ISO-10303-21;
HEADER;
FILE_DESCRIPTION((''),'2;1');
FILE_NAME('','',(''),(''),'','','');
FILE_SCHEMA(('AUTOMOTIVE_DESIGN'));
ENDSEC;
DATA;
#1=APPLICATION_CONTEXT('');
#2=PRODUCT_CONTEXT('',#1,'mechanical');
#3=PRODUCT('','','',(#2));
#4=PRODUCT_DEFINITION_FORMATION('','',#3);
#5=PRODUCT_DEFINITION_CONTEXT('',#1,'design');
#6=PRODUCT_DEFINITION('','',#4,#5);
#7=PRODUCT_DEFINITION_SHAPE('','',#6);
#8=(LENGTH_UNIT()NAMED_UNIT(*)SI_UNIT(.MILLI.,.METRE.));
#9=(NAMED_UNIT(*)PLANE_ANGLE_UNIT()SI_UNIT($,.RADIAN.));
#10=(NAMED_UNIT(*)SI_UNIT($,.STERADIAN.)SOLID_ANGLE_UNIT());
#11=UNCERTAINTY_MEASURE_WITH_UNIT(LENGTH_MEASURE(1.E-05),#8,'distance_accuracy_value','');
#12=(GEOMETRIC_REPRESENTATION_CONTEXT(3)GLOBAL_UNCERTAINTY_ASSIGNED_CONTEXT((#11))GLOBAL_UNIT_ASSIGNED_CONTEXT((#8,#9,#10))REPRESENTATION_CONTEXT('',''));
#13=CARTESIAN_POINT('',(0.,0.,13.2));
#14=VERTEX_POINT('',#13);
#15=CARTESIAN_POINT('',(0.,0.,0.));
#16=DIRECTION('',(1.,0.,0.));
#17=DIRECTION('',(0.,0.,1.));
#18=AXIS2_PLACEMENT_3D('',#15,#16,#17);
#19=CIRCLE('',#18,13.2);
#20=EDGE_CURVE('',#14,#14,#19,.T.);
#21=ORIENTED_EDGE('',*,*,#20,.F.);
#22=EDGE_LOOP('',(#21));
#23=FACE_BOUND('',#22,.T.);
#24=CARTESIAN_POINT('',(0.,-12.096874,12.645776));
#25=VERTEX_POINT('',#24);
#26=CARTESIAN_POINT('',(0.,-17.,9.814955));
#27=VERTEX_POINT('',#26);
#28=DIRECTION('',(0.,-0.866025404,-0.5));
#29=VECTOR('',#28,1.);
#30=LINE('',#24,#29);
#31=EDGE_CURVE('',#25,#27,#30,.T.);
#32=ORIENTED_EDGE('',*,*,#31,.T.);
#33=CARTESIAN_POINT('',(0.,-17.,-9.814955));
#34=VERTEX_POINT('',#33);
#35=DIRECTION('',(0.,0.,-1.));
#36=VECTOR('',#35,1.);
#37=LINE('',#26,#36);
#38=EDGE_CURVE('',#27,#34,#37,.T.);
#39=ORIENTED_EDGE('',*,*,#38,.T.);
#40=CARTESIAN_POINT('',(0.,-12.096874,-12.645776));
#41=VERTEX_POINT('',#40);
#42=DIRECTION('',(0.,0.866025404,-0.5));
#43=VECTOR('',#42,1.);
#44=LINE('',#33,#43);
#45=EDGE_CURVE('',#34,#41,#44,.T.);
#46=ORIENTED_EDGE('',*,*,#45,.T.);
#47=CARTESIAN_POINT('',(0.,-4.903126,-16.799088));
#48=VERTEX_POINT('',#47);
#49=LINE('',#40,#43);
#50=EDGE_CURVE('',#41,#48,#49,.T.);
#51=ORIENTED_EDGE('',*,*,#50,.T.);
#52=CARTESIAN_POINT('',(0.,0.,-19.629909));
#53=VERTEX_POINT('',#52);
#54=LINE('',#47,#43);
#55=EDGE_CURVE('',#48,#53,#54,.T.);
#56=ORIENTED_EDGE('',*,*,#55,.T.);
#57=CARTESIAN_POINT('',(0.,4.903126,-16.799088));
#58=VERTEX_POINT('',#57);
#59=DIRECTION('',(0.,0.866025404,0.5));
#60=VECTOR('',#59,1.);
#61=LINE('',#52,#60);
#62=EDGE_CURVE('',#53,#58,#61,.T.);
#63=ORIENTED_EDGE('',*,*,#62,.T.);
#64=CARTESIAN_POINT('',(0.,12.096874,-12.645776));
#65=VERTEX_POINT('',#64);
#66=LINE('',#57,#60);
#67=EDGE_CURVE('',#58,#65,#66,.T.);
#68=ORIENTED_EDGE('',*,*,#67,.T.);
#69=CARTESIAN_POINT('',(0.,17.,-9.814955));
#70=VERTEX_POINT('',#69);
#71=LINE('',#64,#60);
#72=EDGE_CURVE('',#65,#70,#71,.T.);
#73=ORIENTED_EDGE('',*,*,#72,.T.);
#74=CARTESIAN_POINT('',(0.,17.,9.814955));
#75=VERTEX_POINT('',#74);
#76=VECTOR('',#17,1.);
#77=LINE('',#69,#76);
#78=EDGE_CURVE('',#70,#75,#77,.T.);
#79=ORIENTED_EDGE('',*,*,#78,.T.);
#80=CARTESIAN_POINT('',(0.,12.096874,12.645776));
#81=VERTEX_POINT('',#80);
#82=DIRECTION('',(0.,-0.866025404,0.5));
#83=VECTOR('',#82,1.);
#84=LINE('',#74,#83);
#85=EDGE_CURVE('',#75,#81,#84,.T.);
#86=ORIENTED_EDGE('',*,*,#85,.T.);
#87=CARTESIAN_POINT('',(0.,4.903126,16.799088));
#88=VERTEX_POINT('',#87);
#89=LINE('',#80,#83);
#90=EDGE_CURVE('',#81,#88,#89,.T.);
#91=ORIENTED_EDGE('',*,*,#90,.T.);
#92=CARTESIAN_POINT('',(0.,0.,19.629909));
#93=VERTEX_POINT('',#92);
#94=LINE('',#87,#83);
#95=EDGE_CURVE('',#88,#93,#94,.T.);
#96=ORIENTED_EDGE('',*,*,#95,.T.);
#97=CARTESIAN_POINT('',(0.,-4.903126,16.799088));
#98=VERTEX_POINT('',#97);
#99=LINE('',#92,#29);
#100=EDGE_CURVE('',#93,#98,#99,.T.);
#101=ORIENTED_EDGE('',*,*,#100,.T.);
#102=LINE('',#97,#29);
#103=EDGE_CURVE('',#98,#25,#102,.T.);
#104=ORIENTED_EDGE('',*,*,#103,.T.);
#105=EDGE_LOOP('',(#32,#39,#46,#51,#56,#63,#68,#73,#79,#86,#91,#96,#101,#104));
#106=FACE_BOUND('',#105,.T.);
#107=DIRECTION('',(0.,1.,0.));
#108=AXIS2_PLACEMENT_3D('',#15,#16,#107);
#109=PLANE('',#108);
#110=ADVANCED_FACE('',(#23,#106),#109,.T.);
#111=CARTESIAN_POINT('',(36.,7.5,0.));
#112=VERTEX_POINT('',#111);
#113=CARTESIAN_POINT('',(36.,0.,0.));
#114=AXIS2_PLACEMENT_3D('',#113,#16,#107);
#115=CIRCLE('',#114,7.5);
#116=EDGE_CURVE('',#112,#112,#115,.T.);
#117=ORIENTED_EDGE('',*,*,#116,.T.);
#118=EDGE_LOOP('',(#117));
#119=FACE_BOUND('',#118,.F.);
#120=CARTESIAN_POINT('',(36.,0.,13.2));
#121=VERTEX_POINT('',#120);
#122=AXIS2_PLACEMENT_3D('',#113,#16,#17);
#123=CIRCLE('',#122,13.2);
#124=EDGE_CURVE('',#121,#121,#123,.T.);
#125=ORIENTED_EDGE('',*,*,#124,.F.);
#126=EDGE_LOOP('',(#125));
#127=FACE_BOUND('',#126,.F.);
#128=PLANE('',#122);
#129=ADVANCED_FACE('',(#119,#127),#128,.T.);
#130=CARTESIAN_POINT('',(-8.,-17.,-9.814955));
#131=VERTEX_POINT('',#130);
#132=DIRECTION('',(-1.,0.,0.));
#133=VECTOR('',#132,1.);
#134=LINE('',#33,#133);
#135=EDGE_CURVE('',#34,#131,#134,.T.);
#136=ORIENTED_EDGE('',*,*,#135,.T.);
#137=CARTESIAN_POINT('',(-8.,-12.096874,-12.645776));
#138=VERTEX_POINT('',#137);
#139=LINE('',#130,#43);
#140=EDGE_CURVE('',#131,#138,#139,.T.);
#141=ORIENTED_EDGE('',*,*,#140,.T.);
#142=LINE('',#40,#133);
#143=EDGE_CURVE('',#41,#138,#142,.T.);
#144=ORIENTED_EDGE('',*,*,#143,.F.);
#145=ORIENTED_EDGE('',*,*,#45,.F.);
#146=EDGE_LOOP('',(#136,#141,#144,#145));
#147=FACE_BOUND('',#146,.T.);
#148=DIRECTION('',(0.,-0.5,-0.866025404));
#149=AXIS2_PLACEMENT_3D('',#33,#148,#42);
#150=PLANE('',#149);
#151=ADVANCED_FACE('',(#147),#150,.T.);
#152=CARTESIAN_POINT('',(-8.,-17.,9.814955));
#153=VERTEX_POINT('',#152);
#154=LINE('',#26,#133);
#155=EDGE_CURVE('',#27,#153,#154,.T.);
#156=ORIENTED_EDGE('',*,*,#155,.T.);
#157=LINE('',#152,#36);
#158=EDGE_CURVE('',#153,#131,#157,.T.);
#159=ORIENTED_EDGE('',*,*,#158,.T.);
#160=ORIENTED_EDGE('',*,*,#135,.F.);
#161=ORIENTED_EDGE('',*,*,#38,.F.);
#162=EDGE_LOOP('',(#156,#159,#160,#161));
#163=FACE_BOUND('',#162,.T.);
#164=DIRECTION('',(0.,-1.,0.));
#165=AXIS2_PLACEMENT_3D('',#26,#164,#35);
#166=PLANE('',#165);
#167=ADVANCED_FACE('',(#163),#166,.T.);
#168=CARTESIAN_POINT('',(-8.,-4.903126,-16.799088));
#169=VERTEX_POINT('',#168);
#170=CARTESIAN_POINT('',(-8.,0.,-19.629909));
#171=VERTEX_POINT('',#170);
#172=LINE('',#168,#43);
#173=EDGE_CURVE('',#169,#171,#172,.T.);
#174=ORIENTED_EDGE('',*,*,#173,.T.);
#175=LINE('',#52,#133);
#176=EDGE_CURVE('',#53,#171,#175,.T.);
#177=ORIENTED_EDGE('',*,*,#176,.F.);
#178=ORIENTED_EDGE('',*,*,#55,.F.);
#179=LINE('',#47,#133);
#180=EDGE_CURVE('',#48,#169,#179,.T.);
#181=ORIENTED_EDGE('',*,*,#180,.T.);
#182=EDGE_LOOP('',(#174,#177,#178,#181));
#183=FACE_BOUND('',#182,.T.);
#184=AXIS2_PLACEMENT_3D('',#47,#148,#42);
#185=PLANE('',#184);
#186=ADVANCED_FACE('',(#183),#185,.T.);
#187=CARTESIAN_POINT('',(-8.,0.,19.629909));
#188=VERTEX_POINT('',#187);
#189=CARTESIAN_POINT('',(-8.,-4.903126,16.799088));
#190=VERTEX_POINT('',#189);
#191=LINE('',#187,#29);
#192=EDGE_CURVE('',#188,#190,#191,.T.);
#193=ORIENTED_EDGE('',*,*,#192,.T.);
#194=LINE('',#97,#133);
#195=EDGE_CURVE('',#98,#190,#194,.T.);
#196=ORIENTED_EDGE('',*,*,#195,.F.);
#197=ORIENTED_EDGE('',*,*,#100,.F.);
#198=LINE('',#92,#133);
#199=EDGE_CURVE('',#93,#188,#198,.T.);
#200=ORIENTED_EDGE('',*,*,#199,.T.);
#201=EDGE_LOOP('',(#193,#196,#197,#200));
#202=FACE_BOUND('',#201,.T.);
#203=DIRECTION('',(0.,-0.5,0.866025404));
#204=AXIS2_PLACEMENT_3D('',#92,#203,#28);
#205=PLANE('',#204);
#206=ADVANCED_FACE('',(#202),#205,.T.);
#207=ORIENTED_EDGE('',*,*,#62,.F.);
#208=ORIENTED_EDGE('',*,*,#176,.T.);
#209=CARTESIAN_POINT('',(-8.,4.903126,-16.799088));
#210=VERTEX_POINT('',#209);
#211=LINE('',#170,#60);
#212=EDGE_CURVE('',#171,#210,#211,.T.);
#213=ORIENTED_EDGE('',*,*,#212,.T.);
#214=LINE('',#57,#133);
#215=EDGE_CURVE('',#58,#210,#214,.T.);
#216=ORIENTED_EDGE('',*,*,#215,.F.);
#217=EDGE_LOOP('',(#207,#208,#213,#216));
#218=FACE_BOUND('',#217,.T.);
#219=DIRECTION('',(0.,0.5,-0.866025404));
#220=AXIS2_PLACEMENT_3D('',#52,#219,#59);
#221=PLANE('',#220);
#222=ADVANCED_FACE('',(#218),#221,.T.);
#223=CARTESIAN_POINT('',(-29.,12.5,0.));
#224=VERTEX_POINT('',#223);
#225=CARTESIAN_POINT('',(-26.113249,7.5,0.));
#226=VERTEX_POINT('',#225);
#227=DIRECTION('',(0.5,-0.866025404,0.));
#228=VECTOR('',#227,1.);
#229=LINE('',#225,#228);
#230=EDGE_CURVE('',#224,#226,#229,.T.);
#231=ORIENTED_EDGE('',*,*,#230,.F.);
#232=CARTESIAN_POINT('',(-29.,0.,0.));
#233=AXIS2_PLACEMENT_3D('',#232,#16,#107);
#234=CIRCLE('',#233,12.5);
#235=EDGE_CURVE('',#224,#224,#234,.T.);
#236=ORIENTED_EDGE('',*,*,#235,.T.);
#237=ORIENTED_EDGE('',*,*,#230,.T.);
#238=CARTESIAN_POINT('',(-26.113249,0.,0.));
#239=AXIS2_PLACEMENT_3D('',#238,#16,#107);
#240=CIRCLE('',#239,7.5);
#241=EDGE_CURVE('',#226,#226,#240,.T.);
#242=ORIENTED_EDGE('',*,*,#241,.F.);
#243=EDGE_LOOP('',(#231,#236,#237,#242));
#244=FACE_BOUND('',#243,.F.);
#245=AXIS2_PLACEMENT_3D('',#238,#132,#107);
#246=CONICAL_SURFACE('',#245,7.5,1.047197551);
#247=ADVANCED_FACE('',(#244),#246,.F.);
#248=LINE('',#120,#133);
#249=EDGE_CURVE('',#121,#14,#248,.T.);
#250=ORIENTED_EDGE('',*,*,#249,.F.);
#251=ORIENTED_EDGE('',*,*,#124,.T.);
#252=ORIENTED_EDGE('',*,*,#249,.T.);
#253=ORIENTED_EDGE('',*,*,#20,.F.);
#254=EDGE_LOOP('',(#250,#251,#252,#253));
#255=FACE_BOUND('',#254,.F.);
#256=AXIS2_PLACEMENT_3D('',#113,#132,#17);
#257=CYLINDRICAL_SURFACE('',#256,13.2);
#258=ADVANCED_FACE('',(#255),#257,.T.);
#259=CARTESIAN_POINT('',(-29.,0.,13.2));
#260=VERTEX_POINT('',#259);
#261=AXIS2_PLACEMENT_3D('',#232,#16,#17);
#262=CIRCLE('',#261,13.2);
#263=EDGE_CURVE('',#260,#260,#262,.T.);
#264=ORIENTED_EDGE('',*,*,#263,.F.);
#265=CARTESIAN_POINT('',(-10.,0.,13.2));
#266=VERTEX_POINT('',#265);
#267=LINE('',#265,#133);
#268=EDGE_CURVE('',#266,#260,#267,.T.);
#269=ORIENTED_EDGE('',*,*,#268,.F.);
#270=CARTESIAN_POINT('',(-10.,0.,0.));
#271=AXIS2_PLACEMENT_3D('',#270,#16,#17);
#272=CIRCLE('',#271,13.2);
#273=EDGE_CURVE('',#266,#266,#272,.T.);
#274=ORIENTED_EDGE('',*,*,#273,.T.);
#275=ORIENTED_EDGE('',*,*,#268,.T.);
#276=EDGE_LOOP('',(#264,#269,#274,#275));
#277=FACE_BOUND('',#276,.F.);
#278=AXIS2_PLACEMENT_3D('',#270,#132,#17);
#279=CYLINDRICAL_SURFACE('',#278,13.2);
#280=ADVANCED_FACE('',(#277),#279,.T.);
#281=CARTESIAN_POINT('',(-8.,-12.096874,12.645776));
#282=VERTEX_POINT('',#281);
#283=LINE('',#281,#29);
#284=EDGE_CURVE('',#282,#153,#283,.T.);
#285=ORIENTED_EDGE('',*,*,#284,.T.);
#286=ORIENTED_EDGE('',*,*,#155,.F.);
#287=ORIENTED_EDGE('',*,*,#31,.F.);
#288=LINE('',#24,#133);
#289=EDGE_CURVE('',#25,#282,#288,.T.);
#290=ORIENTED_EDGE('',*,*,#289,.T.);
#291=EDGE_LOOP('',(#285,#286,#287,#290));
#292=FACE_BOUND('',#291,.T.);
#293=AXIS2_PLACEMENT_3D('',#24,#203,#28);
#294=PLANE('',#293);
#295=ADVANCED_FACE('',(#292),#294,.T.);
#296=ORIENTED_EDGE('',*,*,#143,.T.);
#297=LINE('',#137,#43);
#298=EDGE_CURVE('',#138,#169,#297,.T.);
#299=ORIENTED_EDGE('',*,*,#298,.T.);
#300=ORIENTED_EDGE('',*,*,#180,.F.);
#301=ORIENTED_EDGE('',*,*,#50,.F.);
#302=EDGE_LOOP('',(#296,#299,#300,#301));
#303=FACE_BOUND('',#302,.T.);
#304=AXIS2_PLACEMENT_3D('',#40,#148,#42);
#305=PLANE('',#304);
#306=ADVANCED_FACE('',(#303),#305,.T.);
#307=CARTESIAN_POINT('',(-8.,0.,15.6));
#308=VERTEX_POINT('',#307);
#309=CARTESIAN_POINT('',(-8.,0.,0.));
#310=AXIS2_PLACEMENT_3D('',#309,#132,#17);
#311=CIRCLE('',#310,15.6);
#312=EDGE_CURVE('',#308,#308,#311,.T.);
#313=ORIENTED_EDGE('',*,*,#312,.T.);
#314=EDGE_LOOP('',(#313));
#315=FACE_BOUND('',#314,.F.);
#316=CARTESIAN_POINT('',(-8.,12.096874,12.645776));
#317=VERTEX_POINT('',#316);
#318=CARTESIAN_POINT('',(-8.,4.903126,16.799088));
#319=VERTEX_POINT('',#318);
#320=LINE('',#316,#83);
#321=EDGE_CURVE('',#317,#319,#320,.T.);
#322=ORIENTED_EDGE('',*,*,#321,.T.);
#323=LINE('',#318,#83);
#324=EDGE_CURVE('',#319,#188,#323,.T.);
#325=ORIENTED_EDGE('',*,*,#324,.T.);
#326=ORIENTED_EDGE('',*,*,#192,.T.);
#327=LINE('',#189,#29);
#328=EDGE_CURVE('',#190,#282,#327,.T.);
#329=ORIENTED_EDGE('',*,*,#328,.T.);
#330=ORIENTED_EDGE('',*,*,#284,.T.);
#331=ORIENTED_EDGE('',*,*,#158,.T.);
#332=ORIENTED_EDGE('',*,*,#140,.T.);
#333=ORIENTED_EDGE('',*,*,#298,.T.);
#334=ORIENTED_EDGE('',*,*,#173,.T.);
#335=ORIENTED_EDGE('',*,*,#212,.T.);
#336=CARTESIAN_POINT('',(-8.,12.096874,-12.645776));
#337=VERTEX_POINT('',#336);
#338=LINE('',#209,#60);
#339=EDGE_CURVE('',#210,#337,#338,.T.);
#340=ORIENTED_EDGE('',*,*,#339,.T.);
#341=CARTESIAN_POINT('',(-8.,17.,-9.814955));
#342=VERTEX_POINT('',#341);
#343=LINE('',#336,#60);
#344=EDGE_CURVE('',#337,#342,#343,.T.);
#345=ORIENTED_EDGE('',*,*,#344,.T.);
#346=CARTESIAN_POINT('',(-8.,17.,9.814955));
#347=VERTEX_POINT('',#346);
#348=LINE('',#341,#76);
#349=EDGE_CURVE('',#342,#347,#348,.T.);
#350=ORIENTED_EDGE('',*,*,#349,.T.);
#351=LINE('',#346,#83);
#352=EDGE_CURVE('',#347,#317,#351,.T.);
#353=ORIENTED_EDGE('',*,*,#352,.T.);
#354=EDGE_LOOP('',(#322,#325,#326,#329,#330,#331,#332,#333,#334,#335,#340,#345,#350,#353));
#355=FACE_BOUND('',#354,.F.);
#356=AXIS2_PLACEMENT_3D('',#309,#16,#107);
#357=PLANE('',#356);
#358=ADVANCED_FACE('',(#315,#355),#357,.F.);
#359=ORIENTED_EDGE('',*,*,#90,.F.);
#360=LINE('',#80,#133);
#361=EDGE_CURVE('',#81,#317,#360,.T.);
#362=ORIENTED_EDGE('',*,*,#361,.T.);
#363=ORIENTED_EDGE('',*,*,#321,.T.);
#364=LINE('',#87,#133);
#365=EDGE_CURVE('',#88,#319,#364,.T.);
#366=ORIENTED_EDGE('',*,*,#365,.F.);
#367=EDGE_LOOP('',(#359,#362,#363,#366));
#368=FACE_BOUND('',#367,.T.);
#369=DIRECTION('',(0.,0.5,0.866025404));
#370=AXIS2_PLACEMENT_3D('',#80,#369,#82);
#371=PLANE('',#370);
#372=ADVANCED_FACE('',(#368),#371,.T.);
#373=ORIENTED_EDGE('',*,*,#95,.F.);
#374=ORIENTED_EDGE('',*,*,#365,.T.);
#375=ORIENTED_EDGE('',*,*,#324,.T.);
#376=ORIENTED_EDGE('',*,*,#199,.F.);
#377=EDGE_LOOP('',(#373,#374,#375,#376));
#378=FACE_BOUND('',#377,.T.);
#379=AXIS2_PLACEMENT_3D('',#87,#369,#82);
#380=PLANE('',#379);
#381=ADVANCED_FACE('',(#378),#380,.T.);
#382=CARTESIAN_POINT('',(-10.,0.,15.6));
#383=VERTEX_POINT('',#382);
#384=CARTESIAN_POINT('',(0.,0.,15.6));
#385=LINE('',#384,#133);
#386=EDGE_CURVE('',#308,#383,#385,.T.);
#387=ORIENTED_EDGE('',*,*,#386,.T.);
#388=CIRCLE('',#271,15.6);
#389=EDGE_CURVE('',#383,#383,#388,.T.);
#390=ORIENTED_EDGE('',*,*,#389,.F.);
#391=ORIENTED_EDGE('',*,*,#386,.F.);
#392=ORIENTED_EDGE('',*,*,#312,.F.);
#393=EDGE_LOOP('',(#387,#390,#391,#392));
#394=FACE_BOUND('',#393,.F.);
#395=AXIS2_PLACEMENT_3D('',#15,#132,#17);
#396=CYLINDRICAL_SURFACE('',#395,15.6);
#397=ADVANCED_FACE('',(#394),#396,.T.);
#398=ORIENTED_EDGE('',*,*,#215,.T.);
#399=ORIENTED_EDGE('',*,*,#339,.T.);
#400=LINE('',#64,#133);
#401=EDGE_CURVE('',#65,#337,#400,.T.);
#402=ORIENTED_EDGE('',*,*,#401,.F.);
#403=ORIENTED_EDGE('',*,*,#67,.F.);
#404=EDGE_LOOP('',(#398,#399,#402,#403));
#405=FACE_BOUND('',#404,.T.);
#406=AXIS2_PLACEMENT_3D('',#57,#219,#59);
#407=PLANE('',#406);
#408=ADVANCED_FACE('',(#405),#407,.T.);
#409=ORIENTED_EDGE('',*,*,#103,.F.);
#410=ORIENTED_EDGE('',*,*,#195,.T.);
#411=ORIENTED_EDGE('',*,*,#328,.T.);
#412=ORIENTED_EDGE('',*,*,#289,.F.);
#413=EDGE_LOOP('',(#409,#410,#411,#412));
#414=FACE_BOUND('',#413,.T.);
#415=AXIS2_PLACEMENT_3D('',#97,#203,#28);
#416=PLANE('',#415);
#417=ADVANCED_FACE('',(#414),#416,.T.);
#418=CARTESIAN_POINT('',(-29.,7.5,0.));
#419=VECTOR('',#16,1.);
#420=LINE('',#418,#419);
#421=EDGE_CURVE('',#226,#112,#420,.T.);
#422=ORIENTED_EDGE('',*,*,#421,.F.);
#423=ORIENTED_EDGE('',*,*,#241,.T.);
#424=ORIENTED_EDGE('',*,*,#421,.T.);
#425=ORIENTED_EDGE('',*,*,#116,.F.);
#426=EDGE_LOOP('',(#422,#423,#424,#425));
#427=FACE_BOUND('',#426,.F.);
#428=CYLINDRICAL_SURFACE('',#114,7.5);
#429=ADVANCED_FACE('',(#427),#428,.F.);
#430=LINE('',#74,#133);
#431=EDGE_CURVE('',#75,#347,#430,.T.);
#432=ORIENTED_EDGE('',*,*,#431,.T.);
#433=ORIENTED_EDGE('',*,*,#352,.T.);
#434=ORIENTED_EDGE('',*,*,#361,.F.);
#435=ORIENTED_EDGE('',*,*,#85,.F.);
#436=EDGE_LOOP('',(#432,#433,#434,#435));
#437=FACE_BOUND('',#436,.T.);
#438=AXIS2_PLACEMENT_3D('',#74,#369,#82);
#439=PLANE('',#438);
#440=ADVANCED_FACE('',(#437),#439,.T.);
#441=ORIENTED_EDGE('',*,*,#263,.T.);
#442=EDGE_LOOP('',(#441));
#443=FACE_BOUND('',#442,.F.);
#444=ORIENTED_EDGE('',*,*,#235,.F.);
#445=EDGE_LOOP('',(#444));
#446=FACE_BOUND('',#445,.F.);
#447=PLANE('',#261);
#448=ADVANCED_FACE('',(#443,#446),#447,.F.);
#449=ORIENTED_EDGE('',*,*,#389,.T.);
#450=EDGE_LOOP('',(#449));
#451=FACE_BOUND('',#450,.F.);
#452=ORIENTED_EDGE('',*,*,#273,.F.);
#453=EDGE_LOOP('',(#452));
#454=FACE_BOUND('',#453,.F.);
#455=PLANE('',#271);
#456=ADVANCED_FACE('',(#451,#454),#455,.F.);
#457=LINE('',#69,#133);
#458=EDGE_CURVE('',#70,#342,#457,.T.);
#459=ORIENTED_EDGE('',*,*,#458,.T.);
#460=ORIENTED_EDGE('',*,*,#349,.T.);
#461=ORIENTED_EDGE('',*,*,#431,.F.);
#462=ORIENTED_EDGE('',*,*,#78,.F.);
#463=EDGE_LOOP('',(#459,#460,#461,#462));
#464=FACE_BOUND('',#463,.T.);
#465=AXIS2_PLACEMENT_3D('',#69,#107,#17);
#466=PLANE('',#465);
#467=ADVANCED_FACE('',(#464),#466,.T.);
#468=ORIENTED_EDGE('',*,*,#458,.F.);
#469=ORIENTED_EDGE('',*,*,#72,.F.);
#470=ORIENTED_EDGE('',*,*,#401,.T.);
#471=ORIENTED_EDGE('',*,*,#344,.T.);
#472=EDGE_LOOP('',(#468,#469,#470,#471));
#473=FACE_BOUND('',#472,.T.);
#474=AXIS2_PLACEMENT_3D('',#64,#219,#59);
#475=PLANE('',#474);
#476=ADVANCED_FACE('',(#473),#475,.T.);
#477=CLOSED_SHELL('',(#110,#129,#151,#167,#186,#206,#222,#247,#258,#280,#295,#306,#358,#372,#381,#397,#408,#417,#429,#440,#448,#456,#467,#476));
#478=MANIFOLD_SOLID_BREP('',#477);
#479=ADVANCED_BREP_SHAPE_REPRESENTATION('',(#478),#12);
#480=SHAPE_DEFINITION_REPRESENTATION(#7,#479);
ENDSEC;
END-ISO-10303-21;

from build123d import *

# Parameters (mm, degrees)
F2_R     = 7.5
F3_DEPTH = 65.001
F4_R     = 7.5
F5_DEPTH = 8
F6_SIZE2 = 2.8867513459
F6_SIZE  = 5


with BuildPart() as f1:
    # F0 (on Front) → F1 (revolve)
    with BuildSketch(Plane.XZ):
        Polygon((-29, 13.2), (-29, 0), (36, 0), (36, 13.2), (0, 13.2), (0, 15.6), (-10, 15.6), (-10, 13.2), align=None)
    revolve(axis=Axis((5.8021252709, 0, 0), (1, 0, 0)))

    # F2 (on face) → F3 (cut, through all)
    with BuildSketch(Plane.YZ.offset(36)):
        Circle(F2_R)
    extrude(amount=-F3_DEPTH, mode=Mode.SUBTRACT)

    # F4 (on Right) → F5 (join)
    with BuildSketch(Plane.YZ):
        with BuildLine():
            Line((-17, 4.1533119315), (-17, -4.1533119315))
            ThreePointArc((-17, -4.1533119315), (-15.1554445662, -8.75), (-12.0968736425, -12.6457758986))
            Line((-12.0968736425, -12.6457758986), (-4.9031263575, -16.7990878301))
            ThreePointArc((-4.9031263575, -16.7990878301), (0, -17.5), (4.9031263575, -16.7990878301))
            Line((4.9031263575, -16.7990878301), (12.0968736425, -12.6457758986))
            ThreePointArc((12.0968736425, -12.6457758986), (15.1554445662, -8.75), (17, -4.1533119315))
            Line((17, -4.1533119315), (17, 4.1533119315))
            ThreePointArc((17, 4.1533119315), (15.1554445662, 8.75), (12.0968736425, 12.6457758986))
            Line((12.0968736425, 12.6457758986), (4.9031263575, 16.7990878301))
            ThreePointArc((4.9031263575, 16.7990878301), (0, 17.5), (-4.9031263575, 16.7990878301))
            Line((-4.9031263575, 16.7990878301), (-12.0968736425, 12.6457758986))
            ThreePointArc((-12.0968736425, 12.6457758986), (-15.1554445662, 8.75), (-17, 4.1533119315))
        make_face()
        Circle(F4_R, mode=Mode.SUBTRACT)
        with BuildLine():
            Line((-17, 9.8149545762), (-17, 4.1533119315))
            ThreePointArc((-17, 4.1533119315), (-15.1554445662, 8.75), (-12.0968736425, 12.6457758986))
            Line((-12.0968736425, 12.6457758986), (-17, 9.8149545762))
        make_face()
        with BuildLine():
            Line((-17, -4.1533119315), (-17, -9.8149545762))
            Line((-17, -9.8149545762), (-12.0968736425, -12.6457758986))
            ThreePointArc((-12.0968736425, -12.6457758986), (-15.1554445662, -8.75), (-17, -4.1533119315))
        make_face()
        with BuildLine():
            ThreePointArc((4.9031263575, -16.7990878301), (0, -17.5), (-4.9031263575, -16.7990878301))
            Line((-4.9031263575, -16.7990878301), (0, -19.6299091524))
            Line((0, -19.6299091524), (4.9031263575, -16.7990878301))
        make_face()
        with BuildLine():
            ThreePointArc((17, -4.1533119315), (15.1554445662, -8.75), (12.0968736425, -12.6457758986))
            Line((12.0968736425, -12.6457758986), (17, -9.8149545762))
            Line((17, -9.8149545762), (17, -4.1533119315))
        make_face()
        with BuildLine():
            Line((17, 9.8149545762), (12.0968736425, 12.6457758986))
            ThreePointArc((12.0968736425, 12.6457758986), (15.1554445662, 8.75), (17, 4.1533119315))
            Line((17, 4.1533119315), (17, 9.8149545762))
        make_face()
        with BuildLine():
            Line((0, 19.6299091524), (-4.9031263575, 16.7990878301))
            ThreePointArc((-4.9031263575, 16.7990878301), (0, 17.5), (4.9031263575, 16.7990878301))
            Line((4.9031263575, 16.7990878301), (0, 19.6299091524))
        make_face()
    extrude(amount=-F5_DEPTH)

    # F6
    f6_edges = [f1.edges().sort_by_distance(p)[0] for p in [
        (-29, -7.5, 0),
    ]]
    chamfer(f6_edges, length=F6_SIZE, length2=F6_SIZE2)


solid = f1.part
